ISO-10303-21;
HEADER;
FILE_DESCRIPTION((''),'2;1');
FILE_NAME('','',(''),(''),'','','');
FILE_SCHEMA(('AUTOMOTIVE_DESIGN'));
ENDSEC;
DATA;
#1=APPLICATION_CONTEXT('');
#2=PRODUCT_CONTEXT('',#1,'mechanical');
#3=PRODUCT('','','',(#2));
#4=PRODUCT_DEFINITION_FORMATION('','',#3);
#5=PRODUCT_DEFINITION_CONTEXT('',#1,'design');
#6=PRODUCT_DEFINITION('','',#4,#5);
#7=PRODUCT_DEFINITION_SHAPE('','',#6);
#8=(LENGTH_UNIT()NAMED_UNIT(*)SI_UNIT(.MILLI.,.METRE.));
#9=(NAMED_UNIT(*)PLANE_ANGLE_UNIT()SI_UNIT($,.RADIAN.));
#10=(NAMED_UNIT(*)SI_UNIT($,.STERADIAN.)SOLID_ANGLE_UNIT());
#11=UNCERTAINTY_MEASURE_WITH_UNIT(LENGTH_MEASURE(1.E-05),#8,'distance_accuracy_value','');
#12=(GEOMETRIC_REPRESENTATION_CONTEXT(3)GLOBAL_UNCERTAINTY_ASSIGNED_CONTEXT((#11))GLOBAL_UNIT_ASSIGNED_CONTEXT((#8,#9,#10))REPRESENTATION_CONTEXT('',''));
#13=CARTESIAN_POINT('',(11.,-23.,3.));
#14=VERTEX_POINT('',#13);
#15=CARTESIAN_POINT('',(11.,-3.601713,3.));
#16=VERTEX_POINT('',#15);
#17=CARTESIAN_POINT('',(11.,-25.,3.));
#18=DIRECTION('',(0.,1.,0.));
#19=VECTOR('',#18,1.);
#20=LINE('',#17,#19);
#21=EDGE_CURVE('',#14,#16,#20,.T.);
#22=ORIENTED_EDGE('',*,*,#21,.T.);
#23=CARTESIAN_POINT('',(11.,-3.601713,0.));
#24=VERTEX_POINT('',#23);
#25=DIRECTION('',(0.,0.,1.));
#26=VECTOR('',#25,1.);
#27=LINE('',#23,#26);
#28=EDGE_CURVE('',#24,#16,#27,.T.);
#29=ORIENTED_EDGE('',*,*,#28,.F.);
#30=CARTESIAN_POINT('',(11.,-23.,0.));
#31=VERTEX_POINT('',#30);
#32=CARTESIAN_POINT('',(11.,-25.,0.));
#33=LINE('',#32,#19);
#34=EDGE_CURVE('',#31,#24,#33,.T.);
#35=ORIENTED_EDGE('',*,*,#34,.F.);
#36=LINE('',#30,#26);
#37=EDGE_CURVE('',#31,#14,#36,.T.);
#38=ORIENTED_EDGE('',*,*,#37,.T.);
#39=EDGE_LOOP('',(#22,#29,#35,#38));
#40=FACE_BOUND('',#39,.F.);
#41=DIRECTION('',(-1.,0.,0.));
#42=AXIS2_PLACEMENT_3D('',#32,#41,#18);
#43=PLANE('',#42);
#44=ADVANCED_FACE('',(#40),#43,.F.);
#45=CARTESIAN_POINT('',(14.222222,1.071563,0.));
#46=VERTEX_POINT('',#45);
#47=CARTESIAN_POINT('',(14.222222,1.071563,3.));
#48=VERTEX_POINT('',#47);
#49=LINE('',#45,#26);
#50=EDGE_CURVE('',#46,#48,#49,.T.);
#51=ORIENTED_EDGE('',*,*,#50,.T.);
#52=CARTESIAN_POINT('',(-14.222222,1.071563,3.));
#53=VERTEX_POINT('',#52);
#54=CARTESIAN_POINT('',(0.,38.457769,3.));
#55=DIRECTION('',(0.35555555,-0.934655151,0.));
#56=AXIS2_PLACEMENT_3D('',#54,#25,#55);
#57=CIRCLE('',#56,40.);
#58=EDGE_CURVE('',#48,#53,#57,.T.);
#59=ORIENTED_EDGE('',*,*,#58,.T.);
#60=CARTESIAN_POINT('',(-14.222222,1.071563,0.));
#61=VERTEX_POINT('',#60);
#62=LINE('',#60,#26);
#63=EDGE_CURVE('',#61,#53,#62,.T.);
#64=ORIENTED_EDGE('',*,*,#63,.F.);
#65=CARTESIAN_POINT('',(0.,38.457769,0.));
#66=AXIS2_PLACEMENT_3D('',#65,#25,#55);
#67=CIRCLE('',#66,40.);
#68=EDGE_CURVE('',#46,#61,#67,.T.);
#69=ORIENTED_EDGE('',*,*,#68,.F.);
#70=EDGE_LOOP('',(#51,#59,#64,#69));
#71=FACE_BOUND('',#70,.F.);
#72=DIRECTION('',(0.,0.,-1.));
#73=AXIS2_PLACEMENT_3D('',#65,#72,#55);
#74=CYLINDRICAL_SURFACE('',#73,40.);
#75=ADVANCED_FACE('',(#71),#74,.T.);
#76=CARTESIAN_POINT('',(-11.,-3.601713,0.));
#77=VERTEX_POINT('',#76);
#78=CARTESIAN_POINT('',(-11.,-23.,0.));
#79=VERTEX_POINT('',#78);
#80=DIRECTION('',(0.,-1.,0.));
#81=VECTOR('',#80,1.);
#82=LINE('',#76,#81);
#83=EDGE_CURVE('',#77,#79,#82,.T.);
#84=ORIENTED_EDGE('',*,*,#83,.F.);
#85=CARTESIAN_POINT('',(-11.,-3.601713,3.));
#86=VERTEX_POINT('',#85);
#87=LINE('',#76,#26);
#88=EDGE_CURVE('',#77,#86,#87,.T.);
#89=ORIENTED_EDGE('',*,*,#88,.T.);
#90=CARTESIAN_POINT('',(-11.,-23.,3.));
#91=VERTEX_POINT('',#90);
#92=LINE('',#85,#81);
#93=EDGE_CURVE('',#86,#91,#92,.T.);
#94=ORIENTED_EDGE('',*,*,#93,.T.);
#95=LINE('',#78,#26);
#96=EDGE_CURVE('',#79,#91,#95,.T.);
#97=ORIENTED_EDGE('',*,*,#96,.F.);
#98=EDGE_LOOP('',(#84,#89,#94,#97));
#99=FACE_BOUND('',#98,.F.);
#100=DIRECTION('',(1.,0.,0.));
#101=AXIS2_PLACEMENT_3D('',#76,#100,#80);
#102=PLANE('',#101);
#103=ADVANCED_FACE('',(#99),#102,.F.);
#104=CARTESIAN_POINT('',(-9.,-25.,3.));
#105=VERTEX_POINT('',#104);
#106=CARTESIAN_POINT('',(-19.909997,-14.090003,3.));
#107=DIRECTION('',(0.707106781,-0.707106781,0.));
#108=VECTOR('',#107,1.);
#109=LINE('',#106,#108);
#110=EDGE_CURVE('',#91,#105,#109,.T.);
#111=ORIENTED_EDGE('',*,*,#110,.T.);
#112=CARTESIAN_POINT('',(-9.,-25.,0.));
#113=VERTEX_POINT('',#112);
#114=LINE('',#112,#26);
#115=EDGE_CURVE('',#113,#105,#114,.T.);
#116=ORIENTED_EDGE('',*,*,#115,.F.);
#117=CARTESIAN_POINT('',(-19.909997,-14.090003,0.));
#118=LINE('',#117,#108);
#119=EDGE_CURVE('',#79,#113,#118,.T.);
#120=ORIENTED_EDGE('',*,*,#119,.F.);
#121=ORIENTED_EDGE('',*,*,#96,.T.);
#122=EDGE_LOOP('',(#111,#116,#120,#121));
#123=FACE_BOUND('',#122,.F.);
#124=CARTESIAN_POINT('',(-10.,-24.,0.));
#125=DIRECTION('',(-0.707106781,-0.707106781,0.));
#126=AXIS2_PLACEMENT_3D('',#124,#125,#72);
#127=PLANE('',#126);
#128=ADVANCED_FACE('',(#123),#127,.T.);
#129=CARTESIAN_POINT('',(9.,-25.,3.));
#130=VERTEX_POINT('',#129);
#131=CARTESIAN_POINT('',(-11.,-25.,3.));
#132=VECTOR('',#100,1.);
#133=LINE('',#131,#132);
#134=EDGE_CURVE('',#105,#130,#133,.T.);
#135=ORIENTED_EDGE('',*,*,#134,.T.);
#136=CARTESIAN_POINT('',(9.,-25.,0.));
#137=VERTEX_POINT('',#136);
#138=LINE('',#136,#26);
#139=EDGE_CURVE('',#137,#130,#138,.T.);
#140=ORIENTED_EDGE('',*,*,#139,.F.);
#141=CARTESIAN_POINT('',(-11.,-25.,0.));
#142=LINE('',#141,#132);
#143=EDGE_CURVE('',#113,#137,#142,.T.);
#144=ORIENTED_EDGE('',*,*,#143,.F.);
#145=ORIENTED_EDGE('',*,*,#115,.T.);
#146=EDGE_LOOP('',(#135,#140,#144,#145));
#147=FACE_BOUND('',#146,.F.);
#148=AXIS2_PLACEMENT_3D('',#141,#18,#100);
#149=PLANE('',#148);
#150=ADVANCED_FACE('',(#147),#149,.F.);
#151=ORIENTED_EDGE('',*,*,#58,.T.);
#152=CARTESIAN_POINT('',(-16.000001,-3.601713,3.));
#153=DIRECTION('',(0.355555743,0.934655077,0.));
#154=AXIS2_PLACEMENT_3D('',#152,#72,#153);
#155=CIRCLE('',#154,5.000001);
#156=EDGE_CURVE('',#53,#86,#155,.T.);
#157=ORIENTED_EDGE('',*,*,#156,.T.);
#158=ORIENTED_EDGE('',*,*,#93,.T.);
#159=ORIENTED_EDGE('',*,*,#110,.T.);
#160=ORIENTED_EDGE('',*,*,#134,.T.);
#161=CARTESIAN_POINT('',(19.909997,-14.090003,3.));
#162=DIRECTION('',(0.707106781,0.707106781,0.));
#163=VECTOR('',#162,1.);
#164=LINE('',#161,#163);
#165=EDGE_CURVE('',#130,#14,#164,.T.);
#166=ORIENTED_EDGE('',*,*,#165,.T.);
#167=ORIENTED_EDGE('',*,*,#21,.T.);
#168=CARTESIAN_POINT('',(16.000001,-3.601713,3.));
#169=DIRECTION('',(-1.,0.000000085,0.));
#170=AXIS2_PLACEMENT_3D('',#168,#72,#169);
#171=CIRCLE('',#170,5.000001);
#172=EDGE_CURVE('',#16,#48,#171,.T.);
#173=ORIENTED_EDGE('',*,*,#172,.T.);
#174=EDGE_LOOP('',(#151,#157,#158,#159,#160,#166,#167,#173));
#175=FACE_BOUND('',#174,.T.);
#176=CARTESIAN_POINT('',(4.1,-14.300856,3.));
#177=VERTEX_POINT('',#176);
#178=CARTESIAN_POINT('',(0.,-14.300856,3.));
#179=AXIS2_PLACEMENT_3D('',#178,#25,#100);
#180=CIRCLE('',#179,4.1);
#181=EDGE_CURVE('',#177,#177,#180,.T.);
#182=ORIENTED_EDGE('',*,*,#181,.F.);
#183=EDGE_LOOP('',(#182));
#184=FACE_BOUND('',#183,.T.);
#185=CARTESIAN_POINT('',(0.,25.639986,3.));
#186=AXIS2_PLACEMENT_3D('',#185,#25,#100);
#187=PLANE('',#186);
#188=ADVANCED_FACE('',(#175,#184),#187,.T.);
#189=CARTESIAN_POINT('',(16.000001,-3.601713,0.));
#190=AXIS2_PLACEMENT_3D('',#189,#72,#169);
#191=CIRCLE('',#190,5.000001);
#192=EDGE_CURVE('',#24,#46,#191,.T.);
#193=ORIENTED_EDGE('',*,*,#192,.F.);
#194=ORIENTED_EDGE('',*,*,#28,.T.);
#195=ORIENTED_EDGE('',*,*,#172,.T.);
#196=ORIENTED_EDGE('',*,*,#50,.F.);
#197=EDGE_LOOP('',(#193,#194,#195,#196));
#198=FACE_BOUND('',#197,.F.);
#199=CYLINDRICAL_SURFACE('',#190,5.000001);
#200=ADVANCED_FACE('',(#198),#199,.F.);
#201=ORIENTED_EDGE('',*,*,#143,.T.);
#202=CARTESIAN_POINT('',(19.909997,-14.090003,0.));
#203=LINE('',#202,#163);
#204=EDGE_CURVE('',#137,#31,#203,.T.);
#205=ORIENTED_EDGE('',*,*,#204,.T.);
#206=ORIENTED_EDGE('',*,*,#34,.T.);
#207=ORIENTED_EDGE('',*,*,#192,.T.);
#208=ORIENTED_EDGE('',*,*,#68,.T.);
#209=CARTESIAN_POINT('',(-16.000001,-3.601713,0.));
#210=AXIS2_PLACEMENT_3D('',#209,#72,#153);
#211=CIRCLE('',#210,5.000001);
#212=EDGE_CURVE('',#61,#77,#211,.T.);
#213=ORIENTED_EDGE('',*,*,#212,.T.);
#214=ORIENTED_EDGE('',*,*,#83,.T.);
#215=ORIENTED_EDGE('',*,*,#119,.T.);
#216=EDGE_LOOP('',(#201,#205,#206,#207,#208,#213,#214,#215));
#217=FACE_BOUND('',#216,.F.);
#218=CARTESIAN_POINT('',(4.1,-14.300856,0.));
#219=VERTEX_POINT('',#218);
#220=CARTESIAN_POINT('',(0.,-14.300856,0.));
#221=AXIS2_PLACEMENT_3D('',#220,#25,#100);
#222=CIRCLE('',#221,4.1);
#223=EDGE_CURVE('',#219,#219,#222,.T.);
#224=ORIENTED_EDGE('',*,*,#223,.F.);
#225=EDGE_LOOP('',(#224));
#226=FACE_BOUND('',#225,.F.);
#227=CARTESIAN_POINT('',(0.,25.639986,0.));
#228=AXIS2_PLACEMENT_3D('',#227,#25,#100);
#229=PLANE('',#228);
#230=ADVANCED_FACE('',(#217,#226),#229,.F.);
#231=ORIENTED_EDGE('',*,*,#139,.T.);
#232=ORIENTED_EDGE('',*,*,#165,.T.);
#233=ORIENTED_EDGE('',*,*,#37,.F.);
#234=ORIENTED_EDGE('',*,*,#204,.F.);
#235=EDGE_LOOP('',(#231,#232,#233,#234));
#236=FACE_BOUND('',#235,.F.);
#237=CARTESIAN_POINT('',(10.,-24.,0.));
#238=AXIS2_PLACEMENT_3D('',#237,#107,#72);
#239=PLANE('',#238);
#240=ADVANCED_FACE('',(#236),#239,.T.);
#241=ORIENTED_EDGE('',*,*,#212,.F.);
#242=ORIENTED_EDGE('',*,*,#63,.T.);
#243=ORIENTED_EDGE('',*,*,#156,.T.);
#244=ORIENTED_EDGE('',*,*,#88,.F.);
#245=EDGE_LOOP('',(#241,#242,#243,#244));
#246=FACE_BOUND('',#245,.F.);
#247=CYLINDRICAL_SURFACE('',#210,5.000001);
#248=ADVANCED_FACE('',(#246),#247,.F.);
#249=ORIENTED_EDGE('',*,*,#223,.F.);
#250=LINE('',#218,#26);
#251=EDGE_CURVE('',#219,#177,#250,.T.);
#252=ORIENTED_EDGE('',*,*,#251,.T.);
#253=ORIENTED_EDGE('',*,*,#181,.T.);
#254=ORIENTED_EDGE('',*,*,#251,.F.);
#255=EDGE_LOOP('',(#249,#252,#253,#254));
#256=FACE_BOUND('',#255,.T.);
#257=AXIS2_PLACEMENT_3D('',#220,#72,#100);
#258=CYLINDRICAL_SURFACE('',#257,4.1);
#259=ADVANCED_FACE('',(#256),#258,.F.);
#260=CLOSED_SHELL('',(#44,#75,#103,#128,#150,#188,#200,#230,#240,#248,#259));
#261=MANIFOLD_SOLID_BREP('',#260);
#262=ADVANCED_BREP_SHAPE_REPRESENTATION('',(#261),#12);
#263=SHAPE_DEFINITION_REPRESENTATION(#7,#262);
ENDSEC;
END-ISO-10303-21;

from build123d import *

# Parameters (mm, degrees)
F0_R     = 4.1
F1_DEPTH = 3
F2_SIZE  = 2


with BuildPart() as f1:
    # F0 (on Top) → F1 (new body)
    with BuildSketch(Plane.XY):
        with BuildLine():
            Line((-11, -3.601713), (-11, -25))
            Line((-11, -25), (11, -25))
            Line((11, -25), (11, -3.601713))
            ThreePointArc((11, -3.601713), (11.883637, -0.763482), (14.222222, 1.071563))
            ThreePointArc((14.222222, 1.071563), (0, 78.457769), (-14.222222, 1.071563))
            ThreePointArc((-14.222222, 1.071563), (-11.883637, -0.763482), (-11, -3.601713))
        make_face()
        with Locations((0, -14.300856)):
            Circle(F0_R, mode=Mode.SUBTRACT)
    extrude(amount=F1_DEPTH)

    # F2
    f2_edges = [f1.edges().sort_by_distance(p)[0] for p in [
        (11, -25, 1.5),
        (-11, -25, 1.5),
    ]]
    chamfer(f2_edges, length=F2_SIZE)


solid = f1.part
